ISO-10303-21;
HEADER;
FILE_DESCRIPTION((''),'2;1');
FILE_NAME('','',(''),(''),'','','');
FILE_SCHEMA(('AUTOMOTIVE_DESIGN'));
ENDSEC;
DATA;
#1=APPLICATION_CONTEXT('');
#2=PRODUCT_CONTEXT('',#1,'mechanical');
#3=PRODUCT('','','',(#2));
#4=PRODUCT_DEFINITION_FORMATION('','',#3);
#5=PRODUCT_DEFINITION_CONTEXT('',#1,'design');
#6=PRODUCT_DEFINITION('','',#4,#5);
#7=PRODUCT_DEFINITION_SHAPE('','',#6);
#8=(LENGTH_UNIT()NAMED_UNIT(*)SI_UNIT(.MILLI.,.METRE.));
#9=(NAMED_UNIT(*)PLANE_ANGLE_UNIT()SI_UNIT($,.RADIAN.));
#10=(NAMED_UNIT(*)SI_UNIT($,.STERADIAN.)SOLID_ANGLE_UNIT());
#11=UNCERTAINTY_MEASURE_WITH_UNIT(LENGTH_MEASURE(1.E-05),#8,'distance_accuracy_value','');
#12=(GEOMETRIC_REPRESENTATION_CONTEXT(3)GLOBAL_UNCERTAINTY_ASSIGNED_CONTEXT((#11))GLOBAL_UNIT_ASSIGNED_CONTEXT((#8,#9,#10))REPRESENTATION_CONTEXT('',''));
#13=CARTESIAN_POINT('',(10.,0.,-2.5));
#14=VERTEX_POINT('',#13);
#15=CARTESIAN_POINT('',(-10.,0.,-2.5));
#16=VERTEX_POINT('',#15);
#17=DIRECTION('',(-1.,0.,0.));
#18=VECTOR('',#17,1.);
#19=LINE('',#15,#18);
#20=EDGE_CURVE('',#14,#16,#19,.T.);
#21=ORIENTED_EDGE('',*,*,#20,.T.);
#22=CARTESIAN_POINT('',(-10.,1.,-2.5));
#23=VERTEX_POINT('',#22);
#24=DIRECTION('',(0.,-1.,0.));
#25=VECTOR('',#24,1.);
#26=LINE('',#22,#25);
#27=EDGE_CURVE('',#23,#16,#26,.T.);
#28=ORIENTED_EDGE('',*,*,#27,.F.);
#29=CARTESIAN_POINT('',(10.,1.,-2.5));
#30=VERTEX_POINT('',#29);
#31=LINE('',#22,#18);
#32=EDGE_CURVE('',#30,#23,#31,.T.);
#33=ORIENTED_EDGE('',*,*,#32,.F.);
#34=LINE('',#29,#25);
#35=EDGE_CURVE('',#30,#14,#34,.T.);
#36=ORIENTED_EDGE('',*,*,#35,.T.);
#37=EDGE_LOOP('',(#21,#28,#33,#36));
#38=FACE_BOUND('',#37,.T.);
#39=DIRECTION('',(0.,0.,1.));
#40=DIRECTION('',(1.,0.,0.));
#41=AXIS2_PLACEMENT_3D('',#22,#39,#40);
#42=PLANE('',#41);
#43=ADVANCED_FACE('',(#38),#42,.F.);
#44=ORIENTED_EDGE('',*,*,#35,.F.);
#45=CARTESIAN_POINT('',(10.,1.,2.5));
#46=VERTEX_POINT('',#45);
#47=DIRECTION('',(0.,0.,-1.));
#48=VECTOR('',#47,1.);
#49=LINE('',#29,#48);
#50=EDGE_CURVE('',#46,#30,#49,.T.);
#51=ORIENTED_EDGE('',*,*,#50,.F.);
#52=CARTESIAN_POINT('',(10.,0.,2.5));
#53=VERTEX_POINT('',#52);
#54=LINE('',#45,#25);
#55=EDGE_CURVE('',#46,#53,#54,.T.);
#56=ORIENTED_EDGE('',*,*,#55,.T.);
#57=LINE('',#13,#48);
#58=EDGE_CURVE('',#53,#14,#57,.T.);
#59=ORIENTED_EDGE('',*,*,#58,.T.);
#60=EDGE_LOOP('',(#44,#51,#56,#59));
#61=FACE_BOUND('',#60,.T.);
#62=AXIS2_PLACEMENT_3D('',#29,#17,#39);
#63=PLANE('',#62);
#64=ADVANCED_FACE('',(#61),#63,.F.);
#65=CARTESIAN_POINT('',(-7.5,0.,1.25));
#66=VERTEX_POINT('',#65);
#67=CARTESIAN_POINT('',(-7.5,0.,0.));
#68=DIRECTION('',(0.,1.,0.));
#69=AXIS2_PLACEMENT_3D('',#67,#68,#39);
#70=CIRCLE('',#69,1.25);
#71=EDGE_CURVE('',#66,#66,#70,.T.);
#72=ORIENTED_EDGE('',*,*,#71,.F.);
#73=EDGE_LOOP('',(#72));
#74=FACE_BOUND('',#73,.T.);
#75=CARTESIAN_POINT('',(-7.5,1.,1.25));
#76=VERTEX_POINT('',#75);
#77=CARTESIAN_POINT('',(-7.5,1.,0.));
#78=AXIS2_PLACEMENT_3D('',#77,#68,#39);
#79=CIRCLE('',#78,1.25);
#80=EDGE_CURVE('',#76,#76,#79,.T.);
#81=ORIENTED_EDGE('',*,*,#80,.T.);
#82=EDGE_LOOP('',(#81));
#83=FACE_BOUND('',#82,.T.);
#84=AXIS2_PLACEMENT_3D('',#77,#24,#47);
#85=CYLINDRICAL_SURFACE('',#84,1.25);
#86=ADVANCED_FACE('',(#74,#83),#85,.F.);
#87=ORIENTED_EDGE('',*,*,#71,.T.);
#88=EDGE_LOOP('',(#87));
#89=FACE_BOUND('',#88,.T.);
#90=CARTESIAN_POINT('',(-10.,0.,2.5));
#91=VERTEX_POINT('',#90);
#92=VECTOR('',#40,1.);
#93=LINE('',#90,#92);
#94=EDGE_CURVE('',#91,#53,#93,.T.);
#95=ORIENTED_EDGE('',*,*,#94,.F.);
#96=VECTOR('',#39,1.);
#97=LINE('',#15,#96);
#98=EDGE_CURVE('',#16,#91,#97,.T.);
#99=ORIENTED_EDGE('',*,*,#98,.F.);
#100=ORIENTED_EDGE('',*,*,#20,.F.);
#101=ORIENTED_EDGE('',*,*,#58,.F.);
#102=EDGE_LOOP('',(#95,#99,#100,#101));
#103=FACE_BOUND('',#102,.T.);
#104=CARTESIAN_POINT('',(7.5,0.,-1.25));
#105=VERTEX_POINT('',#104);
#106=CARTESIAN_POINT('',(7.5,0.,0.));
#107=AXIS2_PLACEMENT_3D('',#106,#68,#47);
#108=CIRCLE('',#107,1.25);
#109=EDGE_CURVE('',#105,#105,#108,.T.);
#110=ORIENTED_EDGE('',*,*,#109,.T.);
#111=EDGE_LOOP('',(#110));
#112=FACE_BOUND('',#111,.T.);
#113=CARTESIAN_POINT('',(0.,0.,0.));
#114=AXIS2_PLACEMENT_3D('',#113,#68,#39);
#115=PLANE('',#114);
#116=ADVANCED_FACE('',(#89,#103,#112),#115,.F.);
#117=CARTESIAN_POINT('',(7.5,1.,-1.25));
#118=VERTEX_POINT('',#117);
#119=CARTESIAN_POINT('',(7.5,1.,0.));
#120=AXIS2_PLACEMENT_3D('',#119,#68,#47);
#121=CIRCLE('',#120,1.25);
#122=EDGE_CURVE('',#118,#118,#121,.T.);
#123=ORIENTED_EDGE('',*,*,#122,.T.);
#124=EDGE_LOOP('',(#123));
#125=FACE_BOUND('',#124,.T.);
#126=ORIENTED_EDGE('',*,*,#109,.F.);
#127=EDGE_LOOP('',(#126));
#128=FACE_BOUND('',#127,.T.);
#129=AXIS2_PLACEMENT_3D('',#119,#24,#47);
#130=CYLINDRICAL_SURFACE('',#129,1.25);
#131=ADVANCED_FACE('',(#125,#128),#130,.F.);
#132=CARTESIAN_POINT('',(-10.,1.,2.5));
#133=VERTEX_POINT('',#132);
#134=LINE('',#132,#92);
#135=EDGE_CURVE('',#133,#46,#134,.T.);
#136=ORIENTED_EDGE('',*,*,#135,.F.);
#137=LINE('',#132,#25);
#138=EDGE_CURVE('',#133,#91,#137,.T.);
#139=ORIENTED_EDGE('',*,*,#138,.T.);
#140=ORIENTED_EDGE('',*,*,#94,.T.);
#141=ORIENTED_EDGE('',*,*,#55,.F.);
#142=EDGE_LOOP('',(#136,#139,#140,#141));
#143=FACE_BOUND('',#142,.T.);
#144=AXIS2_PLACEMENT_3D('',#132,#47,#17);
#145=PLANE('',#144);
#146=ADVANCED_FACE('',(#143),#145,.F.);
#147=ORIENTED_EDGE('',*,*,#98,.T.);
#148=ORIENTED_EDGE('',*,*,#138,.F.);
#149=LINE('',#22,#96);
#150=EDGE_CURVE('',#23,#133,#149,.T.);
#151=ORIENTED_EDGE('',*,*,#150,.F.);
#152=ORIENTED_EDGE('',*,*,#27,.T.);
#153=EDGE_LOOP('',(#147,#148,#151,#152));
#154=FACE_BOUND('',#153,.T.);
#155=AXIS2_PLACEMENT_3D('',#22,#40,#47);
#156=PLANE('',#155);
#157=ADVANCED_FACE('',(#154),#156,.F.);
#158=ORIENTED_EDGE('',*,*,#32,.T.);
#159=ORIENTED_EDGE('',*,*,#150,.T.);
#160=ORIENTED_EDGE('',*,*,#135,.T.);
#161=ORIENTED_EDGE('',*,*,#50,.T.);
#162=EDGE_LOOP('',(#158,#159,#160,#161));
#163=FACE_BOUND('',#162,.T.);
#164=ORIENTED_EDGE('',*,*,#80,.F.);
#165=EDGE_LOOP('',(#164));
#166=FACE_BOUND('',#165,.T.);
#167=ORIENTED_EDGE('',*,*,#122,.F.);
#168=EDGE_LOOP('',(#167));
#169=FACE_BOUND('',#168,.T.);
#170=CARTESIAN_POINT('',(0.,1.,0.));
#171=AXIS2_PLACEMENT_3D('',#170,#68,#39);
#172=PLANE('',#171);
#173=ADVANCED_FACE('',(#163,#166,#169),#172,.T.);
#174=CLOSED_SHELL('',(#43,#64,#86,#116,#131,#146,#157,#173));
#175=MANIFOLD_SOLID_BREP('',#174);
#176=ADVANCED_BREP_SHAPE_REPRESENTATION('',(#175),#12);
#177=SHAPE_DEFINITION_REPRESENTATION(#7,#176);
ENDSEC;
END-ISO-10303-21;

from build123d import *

# Parameters (mm, degrees)
SKETCH1_W           = 20
SKETCH1_H           = 5
SKETCH1_R           = 1.25
BOSS_EXTRUDE1_DEPTH = 1


with BuildPart() as part:
    # Sketch1 → Boss-Extrude1 (new body)
    with BuildSketch(Plane(origin=(0, 0, 0), x_dir=(1, 0, 0), z_dir=(0, 1, 0))):
        Rectangle(SKETCH1_W, SKETCH1_H)
        with Locations((-7.5, 0)):
            Circle(SKETCH1_R, mode=Mode.SUBTRACT)
        with Locations((7.5, 0)):
            Circle(SKETCH1_R, mode=Mode.SUBTRACT)
    extrude(amount=BOSS_EXTRUDE1_DEPTH)


solid = part.part
